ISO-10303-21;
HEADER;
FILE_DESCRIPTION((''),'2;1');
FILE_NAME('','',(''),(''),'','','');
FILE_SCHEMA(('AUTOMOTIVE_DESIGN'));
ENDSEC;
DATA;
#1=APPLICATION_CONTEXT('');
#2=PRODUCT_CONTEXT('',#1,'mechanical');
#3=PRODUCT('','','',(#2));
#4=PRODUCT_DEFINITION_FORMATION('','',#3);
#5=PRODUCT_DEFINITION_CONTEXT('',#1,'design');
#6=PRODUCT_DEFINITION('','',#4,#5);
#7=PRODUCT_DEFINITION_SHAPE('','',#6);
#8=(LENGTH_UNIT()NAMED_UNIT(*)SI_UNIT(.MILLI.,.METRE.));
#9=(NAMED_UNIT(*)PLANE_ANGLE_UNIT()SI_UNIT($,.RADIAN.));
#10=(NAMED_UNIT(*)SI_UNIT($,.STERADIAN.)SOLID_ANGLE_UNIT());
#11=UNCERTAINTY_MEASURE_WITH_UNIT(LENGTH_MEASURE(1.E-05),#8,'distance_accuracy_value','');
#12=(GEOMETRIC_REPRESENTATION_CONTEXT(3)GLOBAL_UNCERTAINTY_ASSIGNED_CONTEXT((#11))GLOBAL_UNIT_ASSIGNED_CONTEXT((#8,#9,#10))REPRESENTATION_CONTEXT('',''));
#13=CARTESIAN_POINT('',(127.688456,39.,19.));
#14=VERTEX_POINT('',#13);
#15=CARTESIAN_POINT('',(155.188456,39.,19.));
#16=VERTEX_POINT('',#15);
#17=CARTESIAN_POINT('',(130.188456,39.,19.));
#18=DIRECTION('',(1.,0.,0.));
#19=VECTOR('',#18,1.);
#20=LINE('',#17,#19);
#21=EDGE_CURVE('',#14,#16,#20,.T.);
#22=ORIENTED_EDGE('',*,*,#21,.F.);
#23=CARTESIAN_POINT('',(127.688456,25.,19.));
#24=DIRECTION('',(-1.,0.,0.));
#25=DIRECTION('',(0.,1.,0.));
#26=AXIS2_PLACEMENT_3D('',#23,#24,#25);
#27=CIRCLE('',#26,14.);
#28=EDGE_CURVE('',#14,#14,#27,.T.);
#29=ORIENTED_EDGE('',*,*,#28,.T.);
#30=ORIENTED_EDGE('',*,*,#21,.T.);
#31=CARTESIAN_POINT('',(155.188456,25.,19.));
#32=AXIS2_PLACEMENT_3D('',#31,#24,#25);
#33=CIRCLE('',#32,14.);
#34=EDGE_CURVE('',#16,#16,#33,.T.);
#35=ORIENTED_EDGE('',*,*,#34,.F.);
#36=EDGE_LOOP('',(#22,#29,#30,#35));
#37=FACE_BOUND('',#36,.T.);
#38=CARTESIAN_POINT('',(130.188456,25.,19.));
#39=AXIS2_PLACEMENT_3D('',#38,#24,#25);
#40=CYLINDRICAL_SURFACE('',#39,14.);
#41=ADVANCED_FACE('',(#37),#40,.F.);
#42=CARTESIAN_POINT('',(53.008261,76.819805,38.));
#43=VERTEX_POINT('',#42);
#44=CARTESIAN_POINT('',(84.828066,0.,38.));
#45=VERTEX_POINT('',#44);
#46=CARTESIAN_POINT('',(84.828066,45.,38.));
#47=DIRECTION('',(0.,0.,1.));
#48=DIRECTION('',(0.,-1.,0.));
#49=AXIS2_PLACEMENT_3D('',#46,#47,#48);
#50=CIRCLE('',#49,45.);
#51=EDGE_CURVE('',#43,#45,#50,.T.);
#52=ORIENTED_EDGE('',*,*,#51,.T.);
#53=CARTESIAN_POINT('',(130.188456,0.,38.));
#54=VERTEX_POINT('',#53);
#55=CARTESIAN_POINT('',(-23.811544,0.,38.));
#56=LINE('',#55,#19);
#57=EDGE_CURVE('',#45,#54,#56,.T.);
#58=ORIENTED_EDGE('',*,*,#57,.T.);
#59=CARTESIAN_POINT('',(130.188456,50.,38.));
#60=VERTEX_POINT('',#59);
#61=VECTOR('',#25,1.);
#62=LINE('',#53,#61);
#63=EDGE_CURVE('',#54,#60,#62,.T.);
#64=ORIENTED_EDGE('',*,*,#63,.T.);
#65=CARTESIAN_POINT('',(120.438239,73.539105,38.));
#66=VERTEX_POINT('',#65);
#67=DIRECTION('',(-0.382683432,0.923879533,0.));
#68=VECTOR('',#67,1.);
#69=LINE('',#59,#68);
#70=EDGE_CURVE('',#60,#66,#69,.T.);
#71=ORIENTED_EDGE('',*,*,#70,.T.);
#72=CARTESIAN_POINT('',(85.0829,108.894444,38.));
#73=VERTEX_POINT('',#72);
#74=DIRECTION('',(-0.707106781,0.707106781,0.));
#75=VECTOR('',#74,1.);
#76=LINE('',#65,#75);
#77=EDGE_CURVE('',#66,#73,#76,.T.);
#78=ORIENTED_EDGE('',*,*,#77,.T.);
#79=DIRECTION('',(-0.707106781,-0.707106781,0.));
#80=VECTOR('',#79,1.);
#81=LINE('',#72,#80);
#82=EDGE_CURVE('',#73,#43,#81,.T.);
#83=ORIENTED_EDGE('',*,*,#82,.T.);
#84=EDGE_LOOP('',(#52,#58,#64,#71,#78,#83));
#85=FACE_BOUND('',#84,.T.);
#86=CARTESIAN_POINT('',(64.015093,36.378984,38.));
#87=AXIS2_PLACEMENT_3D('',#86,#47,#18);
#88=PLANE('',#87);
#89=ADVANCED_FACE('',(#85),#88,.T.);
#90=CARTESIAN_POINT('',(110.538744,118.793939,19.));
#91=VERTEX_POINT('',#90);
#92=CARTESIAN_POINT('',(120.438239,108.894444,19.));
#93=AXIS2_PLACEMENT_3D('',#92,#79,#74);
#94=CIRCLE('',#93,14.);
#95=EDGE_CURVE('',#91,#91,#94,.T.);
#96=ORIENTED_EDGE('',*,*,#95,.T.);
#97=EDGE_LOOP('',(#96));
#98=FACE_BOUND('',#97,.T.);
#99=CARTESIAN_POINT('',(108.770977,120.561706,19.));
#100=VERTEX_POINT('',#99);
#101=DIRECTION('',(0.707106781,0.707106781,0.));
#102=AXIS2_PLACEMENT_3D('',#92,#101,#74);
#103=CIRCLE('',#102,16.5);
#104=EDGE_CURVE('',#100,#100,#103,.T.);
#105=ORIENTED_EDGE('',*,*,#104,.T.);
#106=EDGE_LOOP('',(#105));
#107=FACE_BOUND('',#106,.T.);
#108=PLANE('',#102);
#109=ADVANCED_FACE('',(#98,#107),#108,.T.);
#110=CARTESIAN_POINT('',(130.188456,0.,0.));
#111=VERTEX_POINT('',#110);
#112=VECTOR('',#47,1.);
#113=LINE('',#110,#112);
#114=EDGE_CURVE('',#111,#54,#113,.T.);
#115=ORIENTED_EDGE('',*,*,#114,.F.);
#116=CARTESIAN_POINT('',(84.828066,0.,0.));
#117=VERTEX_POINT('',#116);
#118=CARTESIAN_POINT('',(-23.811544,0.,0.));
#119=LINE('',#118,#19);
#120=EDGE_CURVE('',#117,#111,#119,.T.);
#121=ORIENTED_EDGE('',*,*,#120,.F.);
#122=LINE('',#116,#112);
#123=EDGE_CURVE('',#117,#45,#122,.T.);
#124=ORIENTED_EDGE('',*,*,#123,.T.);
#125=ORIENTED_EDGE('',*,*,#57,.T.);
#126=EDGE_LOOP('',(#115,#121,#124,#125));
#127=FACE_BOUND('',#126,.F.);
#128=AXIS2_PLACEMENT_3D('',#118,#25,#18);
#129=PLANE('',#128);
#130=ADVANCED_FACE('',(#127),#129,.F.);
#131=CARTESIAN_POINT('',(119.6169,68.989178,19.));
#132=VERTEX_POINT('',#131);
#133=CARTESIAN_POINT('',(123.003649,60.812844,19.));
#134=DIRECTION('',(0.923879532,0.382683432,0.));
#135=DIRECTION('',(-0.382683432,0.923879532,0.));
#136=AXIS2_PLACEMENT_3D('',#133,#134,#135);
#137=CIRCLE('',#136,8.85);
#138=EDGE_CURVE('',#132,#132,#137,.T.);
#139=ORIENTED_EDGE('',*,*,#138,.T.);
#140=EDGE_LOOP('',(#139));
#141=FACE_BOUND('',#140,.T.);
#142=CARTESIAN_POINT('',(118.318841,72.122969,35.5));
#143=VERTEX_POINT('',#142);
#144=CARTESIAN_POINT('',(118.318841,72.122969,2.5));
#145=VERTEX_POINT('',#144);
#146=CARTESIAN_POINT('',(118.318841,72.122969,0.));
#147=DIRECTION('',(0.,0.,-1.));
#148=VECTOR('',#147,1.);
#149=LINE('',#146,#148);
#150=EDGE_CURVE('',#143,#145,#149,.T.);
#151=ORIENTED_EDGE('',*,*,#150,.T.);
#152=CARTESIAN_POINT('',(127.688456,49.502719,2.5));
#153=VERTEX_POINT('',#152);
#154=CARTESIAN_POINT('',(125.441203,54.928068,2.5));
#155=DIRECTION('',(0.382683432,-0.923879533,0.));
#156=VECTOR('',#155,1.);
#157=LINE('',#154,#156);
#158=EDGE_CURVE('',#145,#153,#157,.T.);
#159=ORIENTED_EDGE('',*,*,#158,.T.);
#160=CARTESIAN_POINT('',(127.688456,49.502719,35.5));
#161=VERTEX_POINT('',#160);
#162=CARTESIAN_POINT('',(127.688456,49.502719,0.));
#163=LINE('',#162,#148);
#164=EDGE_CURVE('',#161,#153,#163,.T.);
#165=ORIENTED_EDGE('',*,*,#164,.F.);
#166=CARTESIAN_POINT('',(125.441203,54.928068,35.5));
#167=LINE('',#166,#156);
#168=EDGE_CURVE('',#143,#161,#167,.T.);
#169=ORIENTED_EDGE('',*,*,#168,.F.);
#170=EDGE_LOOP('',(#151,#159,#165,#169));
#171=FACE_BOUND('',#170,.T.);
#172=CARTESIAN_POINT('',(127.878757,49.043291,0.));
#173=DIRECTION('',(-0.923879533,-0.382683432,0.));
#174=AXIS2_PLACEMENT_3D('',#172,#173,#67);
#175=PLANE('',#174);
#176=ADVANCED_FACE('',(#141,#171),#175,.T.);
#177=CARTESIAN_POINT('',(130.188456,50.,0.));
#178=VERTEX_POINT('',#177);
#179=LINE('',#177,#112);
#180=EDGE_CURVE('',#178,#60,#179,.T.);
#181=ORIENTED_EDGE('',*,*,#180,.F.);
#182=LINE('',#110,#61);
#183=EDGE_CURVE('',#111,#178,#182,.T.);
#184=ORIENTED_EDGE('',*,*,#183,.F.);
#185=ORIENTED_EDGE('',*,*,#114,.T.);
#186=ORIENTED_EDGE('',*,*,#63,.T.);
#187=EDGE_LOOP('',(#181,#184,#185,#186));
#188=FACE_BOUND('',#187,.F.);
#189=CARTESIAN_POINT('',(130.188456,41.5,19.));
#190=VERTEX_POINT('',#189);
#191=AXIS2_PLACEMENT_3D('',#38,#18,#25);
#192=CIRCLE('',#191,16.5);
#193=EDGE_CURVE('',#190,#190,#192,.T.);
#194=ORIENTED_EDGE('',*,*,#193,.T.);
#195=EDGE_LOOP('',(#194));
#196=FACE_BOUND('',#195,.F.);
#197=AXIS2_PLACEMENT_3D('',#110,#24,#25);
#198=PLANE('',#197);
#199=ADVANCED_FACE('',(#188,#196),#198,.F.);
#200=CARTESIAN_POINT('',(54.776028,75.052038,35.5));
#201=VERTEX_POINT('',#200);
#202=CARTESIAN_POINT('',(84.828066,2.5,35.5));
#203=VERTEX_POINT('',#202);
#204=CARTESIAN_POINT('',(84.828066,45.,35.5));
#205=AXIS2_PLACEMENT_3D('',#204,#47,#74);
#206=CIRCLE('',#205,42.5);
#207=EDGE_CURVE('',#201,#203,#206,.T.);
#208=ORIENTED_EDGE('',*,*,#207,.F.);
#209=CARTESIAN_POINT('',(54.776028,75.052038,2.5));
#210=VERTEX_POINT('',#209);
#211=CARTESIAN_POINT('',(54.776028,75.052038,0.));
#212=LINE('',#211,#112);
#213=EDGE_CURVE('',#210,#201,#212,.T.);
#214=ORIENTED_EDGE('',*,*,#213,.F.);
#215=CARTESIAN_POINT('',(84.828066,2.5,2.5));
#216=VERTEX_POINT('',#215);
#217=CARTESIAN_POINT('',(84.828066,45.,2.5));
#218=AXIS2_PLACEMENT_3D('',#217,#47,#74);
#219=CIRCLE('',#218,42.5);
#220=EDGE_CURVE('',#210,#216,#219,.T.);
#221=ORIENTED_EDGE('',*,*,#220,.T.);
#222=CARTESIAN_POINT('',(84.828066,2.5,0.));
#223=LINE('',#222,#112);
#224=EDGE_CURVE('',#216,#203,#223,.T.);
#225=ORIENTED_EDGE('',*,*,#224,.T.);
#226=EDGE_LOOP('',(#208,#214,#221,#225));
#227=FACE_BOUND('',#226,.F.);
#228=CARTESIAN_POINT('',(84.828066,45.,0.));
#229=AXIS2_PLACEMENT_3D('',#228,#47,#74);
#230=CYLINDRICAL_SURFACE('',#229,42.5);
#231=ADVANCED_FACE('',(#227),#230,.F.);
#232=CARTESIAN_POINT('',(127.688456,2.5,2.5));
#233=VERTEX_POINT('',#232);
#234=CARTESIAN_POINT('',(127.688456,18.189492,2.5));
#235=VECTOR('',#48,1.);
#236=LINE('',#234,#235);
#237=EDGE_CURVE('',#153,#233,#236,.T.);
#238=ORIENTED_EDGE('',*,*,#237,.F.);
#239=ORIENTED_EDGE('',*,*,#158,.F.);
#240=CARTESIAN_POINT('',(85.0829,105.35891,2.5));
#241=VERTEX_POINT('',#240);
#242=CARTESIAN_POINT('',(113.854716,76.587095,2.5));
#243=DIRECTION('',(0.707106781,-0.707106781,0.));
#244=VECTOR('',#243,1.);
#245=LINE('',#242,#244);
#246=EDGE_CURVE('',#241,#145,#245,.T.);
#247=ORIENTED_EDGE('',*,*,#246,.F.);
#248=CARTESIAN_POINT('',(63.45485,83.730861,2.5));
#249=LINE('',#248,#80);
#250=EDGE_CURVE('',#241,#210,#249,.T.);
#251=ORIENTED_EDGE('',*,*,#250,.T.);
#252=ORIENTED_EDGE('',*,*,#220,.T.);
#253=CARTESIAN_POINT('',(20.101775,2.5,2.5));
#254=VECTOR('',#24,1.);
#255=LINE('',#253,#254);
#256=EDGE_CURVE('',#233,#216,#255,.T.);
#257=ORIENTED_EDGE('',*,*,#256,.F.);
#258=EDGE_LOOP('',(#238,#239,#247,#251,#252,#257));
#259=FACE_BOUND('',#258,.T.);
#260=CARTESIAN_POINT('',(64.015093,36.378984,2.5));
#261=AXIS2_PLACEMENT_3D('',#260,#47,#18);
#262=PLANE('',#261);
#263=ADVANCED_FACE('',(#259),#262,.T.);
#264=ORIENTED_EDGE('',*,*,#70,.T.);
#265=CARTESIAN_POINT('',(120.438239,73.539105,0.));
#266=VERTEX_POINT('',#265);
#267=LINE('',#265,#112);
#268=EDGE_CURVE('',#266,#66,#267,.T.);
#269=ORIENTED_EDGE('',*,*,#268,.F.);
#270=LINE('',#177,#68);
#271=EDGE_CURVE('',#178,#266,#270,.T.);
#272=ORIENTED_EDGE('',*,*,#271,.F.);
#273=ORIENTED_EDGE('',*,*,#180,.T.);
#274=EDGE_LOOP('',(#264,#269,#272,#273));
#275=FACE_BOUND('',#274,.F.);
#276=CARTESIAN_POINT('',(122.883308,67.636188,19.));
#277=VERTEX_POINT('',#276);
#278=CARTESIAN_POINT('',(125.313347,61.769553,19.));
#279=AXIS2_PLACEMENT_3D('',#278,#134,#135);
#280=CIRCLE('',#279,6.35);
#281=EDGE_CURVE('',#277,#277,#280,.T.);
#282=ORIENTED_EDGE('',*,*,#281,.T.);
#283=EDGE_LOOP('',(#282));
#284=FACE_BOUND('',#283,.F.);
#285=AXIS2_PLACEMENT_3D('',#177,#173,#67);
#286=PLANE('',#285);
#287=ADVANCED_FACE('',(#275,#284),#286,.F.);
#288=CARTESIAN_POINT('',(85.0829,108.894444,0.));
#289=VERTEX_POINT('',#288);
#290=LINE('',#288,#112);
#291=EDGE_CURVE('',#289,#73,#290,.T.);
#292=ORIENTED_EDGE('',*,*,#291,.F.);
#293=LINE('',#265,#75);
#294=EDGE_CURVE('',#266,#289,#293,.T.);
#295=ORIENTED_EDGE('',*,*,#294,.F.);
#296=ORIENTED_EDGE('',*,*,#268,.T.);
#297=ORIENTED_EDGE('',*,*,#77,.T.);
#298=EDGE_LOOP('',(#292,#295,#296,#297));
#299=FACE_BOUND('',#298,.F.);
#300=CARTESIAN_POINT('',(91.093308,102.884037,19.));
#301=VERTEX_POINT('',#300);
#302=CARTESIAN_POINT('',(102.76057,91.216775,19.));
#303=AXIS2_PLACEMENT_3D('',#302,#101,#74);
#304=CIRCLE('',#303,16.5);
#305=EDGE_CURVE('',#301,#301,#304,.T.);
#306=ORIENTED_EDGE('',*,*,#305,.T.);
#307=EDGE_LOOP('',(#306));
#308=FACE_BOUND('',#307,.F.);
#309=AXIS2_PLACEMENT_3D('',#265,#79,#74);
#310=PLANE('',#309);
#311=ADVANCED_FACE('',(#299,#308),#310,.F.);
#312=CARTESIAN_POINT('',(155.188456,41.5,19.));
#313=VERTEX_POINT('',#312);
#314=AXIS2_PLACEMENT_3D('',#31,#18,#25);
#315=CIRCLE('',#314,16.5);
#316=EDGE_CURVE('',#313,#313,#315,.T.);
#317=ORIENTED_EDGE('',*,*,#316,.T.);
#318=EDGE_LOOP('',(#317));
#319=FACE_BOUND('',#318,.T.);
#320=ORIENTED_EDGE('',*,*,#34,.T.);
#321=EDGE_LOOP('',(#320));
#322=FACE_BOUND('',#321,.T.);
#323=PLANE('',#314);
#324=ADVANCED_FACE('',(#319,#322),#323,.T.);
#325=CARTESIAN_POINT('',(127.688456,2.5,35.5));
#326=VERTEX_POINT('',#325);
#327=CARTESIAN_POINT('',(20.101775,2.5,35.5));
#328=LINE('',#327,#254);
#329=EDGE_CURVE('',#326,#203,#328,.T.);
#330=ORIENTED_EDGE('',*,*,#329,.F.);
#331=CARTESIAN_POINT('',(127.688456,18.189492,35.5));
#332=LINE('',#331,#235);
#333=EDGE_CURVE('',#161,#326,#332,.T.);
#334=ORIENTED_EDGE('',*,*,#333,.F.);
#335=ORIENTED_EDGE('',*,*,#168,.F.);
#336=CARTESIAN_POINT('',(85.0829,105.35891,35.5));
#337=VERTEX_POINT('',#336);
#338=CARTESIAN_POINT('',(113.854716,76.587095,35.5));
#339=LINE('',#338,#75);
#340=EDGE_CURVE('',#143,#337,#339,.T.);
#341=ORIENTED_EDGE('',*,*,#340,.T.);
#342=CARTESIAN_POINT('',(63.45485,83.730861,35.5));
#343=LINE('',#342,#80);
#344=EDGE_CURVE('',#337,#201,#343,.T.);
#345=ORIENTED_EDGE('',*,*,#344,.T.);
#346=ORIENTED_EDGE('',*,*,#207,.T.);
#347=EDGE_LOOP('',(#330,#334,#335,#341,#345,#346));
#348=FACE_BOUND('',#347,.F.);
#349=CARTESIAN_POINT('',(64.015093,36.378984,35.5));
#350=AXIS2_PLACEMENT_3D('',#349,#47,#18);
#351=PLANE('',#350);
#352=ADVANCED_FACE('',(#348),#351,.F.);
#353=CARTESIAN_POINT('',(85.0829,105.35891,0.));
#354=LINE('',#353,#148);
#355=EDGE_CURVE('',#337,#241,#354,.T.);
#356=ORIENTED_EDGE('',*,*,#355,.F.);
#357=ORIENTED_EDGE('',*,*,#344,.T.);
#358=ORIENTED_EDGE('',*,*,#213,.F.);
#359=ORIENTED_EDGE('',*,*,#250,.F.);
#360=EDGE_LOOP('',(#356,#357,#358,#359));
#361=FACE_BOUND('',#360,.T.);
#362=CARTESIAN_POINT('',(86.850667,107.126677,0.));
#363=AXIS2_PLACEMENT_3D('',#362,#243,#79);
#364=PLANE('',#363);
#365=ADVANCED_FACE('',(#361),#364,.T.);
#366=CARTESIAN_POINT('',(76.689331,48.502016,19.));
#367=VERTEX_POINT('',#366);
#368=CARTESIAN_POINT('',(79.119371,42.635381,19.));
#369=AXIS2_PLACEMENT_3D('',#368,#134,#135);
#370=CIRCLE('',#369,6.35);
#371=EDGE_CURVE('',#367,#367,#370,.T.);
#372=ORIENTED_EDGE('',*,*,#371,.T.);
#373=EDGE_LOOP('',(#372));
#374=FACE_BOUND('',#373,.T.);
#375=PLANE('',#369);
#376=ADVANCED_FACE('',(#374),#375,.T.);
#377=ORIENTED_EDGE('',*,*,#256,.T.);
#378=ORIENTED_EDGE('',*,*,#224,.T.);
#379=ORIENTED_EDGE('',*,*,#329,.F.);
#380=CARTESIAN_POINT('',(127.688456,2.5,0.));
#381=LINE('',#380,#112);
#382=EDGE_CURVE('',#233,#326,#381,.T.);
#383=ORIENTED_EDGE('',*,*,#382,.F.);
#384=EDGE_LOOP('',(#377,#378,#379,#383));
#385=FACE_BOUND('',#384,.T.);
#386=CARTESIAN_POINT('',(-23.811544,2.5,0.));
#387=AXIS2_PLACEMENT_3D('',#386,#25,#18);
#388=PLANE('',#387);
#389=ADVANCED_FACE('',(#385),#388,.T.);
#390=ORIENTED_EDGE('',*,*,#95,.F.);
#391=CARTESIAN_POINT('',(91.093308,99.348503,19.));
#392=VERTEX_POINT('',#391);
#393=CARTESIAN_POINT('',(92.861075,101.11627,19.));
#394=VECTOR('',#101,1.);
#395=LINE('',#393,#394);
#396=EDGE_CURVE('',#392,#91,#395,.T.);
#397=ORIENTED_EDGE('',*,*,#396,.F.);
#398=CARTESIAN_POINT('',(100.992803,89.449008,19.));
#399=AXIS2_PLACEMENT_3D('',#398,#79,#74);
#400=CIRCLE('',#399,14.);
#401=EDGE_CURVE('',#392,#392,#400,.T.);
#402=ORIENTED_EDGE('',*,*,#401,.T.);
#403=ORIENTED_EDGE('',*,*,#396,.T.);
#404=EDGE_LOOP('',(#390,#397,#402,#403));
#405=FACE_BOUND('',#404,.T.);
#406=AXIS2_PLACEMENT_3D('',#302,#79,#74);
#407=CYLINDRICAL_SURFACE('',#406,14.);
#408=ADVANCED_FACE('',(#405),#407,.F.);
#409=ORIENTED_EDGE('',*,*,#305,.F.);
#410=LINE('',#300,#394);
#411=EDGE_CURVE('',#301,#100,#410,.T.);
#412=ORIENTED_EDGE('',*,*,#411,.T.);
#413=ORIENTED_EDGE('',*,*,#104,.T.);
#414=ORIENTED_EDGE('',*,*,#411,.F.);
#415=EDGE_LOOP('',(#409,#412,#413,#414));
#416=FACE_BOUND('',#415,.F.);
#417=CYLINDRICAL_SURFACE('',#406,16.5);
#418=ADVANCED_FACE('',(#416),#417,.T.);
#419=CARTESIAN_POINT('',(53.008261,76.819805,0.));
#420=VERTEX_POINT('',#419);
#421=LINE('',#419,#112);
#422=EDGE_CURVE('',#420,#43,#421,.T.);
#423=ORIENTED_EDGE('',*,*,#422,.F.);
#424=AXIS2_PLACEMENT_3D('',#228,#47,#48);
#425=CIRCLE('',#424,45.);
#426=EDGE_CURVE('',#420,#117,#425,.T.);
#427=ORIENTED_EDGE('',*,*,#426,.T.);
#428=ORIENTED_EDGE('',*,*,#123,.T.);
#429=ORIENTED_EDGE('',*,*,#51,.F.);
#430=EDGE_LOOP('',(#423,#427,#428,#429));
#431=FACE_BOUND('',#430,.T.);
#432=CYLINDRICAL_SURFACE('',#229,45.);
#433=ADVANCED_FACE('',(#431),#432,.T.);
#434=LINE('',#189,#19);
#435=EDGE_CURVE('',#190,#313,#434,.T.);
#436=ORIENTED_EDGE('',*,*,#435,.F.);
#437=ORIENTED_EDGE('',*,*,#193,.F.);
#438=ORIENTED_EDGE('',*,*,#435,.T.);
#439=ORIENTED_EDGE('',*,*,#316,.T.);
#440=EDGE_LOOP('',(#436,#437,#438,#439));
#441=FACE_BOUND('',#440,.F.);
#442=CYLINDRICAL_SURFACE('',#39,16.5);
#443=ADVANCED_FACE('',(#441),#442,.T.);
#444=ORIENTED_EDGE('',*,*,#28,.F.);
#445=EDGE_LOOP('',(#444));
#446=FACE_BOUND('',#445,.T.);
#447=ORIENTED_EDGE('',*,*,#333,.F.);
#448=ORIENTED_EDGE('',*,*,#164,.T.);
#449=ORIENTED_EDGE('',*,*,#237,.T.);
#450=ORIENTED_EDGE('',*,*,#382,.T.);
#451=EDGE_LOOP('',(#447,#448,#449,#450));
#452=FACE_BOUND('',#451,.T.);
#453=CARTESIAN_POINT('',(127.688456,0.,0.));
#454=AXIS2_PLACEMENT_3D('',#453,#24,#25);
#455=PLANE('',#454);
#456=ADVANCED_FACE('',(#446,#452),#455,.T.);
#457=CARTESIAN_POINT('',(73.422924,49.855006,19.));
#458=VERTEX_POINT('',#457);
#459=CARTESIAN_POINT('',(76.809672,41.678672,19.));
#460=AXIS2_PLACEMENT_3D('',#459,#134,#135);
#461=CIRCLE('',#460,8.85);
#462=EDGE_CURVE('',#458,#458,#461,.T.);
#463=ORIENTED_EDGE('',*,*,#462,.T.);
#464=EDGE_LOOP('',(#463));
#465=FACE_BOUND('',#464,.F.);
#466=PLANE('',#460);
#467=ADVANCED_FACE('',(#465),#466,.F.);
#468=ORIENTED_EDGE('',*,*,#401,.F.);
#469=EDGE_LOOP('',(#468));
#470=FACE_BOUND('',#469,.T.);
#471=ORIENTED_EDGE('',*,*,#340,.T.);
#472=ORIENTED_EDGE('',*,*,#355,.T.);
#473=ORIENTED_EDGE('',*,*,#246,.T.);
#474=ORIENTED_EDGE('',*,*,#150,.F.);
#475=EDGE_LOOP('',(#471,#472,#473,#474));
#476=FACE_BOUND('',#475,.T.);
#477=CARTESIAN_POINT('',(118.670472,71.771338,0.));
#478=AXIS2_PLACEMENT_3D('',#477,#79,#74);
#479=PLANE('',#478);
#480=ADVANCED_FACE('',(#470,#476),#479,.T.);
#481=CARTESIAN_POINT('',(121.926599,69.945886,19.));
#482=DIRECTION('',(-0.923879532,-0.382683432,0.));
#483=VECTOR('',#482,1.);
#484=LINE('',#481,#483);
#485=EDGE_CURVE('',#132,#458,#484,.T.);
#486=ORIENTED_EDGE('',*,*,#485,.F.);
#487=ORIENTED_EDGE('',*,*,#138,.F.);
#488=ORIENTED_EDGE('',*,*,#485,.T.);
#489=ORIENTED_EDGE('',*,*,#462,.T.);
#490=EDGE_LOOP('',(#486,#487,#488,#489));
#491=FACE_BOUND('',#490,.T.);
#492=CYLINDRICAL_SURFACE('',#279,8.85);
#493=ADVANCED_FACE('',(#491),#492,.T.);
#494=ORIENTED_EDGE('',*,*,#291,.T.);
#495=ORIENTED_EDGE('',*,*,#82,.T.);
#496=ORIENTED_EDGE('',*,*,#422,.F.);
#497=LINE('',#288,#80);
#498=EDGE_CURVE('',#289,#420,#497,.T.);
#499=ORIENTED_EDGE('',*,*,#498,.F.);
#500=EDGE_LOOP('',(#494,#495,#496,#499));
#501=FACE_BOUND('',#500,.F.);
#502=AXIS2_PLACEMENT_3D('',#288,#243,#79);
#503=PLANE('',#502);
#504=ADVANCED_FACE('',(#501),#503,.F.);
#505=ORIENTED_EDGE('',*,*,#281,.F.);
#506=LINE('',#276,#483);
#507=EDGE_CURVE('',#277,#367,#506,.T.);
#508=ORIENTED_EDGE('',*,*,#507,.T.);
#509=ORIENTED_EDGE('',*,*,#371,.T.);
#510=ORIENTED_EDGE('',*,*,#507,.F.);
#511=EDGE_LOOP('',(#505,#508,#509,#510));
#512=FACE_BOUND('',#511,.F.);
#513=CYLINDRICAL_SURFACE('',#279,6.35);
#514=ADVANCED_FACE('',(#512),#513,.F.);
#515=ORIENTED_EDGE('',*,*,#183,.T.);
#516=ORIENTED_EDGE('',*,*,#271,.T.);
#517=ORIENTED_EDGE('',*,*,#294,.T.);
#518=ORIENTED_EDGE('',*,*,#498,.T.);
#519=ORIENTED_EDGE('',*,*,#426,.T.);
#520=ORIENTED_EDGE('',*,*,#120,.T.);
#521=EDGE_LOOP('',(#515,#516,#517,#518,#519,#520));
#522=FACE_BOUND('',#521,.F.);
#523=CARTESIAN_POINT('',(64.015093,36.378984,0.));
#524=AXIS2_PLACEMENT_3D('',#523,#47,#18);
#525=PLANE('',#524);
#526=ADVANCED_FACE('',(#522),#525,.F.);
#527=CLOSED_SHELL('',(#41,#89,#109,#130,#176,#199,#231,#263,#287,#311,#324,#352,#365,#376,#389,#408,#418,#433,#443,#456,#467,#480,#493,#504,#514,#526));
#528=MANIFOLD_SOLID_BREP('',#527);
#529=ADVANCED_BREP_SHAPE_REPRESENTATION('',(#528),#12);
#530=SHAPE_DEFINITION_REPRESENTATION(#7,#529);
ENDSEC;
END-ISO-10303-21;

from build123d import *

# Parameters (mm, degrees)
F1_DEPTH = 38
F2_R     = 16.5
F3_DEPTH = 25
F4_R     = 45
F5_R     = 16.5
F6_DEPTH = 25
F7_R     = 6.35
F8_DEPTH = 50
F9_T     = -2.5


with BuildPart() as f1:
    # F0 (on Top) → F1 (new body)
    with BuildSketch(Plane.XY):
        Polygon((85.0829000017, 108.8944443027), (-23.811544301, 0), (130.188455699, 0), (130.188455699, 50), (120.4382390611, 73.5391052434), align=None)
    extrude(amount=F1_DEPTH)

    # F2 (on face) → F3 (join)
    with BuildSketch(Plane.YZ.offset(130.188455699)):
        with Locations((25, 19)):
            Circle(F2_R)
    extrude(amount=F3_DEPTH)

    # F4
    f4_edges = [f1.edges().sort_by_distance(p)[0] for p in [
        (-23.811544, 0, 19),
    ]]
    fillet(f4_edges, radius=F4_R)

    # F5 (on face) → F6 (join)
    with BuildSketch(Plane(origin=(96.9886721522, 96.9886721522, 0), x_dir=(-0.7071067812, 0.7071067812, 0), z_dir=(0.7071067812, 0.7071067812, 0))):
        with Locations((-8.1626955542, 19)):
            Circle(F5_R)
    extrude(amount=F6_DEPTH)

    # F7 (on face) → F8 (cut)
    with BuildSketch(Plane(origin=(128.8004673077, 53.3509003988, 0), x_dir=(-0.3826834324, 0.9238795325, 0), z_dir=(0.9238795325, 0.3826834324, 0))):
        with Locations((9.112283503, 19)):
            Circle(F7_R)
    extrude(amount=-F8_DEPTH, mode=Mode.SUBTRACT)

    # F9
    f9_openings = [f1.faces().sort_by_distance(p)[0] for p in [
        (155.188456, 25, 19),
        (120.438239, 108.894444, 19),
    ]]
    offset(amount=F9_T, openings=f9_openings, kind=Kind.INTERSECTION)


solid = f1.part
